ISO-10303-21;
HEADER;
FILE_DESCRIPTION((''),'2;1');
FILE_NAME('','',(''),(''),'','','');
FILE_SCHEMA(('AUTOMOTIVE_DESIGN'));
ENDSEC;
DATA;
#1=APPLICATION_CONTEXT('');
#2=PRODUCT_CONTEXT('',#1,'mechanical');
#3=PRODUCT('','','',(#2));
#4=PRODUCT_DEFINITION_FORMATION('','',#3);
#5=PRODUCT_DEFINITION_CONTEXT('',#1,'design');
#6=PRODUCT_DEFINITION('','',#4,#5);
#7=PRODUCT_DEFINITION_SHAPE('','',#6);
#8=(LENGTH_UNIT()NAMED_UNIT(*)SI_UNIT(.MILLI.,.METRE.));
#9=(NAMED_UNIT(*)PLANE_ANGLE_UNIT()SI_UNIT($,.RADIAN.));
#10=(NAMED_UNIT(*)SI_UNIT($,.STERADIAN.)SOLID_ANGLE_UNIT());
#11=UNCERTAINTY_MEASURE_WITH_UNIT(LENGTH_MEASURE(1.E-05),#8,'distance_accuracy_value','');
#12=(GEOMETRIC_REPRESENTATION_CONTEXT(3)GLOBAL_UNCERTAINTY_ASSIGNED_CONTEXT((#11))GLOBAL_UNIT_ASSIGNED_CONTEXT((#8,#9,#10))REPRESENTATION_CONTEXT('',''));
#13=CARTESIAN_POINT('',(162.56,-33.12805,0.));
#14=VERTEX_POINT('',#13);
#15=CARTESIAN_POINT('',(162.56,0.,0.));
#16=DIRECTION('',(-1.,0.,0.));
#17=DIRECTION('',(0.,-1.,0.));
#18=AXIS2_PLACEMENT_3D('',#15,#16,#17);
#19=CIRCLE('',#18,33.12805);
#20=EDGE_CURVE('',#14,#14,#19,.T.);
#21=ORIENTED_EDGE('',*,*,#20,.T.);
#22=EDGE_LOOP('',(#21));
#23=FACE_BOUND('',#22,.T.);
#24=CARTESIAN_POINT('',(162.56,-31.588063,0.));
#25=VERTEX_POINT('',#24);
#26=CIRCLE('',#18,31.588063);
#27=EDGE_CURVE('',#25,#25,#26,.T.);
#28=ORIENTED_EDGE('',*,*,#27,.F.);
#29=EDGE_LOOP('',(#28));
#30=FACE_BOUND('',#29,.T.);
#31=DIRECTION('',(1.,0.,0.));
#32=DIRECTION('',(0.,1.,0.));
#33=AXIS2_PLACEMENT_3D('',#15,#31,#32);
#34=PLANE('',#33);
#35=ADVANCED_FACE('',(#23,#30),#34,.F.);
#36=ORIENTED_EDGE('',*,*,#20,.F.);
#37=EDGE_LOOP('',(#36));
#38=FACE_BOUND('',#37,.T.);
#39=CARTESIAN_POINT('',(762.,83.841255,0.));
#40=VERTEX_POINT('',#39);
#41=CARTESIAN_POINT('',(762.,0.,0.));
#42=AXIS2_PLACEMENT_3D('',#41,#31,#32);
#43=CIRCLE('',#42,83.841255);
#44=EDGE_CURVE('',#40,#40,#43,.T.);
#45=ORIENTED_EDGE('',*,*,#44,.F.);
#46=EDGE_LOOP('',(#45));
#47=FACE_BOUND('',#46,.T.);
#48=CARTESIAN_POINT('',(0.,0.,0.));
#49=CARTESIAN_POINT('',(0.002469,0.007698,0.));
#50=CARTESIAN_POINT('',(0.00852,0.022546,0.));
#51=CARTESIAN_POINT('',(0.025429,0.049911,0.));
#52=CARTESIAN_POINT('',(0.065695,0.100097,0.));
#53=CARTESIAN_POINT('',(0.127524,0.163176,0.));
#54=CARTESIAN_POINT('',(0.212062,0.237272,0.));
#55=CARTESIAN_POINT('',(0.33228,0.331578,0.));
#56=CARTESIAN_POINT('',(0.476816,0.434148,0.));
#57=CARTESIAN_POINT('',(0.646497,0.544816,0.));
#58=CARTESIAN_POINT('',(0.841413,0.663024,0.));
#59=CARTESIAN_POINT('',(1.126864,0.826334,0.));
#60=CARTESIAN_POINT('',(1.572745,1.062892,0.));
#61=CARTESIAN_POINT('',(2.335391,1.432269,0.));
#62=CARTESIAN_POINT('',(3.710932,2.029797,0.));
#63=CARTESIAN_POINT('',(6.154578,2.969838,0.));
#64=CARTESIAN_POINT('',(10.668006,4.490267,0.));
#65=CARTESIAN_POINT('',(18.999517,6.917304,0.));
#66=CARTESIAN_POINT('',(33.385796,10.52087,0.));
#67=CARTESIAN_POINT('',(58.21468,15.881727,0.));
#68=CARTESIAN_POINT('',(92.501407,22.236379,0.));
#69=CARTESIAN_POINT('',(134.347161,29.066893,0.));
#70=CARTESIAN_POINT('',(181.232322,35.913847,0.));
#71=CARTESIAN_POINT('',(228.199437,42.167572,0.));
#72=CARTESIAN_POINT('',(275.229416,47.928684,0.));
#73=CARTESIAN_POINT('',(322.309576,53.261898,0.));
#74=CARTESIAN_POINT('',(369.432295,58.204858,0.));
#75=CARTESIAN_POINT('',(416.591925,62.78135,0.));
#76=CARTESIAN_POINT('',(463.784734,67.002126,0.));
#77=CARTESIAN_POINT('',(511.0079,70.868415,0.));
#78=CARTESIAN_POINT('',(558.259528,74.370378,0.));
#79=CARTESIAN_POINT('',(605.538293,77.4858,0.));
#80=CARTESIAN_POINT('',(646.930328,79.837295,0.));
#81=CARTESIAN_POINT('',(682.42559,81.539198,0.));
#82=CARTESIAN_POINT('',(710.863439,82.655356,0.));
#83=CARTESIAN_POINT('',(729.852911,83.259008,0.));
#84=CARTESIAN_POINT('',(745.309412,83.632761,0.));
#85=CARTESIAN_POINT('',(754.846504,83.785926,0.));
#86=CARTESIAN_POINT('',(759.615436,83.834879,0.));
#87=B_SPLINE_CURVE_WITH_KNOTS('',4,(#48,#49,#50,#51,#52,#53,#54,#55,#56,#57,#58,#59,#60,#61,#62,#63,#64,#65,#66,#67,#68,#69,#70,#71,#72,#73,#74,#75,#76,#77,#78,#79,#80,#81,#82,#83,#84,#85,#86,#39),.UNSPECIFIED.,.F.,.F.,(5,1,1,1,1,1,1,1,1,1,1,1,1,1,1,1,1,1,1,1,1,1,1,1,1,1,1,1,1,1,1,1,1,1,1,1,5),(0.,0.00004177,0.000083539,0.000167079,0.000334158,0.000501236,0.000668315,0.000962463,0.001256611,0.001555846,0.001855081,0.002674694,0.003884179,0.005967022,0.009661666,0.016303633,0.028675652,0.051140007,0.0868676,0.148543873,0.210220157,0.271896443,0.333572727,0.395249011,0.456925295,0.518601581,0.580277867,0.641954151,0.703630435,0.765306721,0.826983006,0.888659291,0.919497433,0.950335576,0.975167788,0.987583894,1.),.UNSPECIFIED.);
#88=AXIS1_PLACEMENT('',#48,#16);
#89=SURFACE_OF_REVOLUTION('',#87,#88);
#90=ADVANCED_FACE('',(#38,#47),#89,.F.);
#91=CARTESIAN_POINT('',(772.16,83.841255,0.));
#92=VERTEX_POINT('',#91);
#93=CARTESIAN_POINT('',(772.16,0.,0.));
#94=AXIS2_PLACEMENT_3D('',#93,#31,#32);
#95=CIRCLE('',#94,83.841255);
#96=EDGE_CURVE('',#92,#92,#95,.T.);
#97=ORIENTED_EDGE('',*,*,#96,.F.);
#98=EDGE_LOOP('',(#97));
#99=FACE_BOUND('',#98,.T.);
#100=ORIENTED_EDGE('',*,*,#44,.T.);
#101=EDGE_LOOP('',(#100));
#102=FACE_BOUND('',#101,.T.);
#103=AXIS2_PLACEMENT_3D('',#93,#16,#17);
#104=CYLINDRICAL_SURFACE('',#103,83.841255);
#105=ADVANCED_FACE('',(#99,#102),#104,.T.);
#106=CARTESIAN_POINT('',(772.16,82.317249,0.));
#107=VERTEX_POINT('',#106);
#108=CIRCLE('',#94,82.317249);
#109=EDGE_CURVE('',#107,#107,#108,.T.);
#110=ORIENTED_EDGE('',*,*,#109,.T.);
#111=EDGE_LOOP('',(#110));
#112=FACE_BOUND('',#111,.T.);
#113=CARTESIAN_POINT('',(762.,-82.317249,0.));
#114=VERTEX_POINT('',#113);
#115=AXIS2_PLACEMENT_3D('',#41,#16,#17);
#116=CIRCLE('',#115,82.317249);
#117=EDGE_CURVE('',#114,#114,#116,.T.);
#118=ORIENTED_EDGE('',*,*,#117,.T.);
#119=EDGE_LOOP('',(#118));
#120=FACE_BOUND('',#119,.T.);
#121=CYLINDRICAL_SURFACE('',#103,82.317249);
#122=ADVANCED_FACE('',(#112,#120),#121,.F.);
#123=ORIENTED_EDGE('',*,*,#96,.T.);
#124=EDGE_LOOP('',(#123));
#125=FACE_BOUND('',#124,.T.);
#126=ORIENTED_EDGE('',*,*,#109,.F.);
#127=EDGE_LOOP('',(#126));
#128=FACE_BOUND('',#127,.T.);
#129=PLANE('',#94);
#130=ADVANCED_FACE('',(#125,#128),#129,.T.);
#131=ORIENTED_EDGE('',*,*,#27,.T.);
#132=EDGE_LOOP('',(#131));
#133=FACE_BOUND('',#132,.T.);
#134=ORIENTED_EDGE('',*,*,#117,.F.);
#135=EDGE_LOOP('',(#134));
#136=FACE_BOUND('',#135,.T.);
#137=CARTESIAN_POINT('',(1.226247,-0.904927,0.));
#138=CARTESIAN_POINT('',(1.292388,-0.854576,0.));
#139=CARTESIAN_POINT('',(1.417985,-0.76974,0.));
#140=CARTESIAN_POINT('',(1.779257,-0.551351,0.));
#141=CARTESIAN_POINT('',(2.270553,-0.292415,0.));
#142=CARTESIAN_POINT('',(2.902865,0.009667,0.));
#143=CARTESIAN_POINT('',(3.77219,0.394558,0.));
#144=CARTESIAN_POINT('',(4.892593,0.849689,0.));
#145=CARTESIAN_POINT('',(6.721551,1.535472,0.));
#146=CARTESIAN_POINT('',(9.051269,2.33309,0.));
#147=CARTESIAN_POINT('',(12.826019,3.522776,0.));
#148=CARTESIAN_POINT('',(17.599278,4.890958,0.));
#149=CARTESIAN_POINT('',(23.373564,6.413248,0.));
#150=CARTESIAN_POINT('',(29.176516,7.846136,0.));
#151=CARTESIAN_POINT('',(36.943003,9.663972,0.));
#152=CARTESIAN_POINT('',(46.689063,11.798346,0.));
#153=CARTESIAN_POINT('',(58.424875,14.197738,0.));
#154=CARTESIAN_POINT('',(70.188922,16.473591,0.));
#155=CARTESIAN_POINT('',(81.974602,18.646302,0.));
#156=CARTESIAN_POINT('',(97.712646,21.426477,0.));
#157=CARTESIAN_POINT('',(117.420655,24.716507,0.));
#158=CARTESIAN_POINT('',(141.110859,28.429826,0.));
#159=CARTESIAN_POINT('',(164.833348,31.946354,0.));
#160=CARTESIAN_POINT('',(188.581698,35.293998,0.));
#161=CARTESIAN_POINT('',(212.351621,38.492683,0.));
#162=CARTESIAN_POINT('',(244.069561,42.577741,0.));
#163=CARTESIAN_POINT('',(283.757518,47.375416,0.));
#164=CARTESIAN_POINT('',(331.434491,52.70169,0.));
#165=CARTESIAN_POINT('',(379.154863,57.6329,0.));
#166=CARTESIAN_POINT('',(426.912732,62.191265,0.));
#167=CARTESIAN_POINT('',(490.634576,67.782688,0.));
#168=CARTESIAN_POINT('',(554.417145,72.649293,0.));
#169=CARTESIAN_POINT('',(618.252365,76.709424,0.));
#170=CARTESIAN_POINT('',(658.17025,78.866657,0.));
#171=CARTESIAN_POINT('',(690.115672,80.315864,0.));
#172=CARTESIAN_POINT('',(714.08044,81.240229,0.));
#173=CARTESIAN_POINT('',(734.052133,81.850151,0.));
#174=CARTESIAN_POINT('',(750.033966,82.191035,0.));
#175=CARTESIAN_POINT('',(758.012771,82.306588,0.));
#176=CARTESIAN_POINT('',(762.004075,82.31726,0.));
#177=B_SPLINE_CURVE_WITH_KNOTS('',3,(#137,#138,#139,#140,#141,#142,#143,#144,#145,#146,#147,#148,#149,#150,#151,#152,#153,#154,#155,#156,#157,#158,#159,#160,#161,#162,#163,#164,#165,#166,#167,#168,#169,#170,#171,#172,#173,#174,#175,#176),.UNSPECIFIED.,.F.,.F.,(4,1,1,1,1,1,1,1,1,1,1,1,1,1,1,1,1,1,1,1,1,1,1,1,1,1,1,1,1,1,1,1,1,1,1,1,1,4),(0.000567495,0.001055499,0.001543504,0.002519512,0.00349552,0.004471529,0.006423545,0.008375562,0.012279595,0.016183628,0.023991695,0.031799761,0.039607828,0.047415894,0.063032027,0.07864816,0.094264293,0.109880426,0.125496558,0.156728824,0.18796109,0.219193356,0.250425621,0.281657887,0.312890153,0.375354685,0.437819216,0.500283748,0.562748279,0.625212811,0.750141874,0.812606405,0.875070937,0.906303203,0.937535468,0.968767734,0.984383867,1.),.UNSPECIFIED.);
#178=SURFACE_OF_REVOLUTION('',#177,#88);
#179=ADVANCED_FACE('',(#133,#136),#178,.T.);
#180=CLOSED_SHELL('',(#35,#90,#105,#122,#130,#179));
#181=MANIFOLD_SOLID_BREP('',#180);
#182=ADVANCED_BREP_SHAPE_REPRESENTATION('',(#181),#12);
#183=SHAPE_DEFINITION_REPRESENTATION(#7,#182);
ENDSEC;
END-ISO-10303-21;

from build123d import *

# Parameters (mm, degrees)
SKETCH8_R           = 83.841254666
SKETCH8_R_2         = 82.317249201
BOSS_EXTRUDE1_DEPTH = 10.16
SKETCH9_R           = 78.358924529
CUT_EXTRUDE1_DEPTH  = 187.96


with BuildPart() as part:
    # Sketch7 → Revolve3 (revolve)
    with BuildSketch(Plane.XY):
        with BuildLine():
            add(Edge.make_bspline(
                [(2.890004562, 0), (2.895382745, 0.002478586), (3.114731574, 0.103470328), (3.772189671, 0.394557939), (4.892593468, 0.849688542), (6.72155052, 1.53547194), (9.051268741, 2.333090251), (12.826018708, 3.522776414), (17.599278058, 4.890957749), (23.373563661, 6.413247874), (29.176516141, 7.846136382), (36.94300293, 9.663971784), (46.689062936, 11.798346486), (58.424874502, 14.197738172), (70.188922239, 16.473591194), (81.974602451, 18.6463018), (97.71264621, 21.42647714), (117.420654598, 24.716507147), (141.110859364, 28.429826036), (164.833348495, 31.946353837), (188.581698126, 35.293998221), (212.351621104, 38.492682711), (244.069560818, 42.577741353), (283.757517922, 47.375416088), (331.434490554, 52.701690304), (379.154862581, 57.632899759), (426.912731664, 62.191265335), (490.634576058, 67.782687664), (554.417145386, 72.64929345), (618.252364776, 76.709424177), (658.17025028, 78.866656722), (690.115671587, 80.31586406), (714.080440133, 81.240229409), (734.052133379, 81.850150654), (750.032605884, 82.191005794), (758.010055581, 82.306548561), (762, 82.317249201)],
                knots=[0.003470978, 0.003470978, 0.003470978, 0.003470978, 0.00349552, 0.004471529, 0.006423545, 0.008375562, 0.012279595, 0.016183628, 0.023991695, 0.031799761, 0.039607828, 0.047415894, 0.063032027, 0.07864816, 0.094264293, 0.109880426, 0.125496558, 0.156728824, 0.18796109, 0.219193356, 0.250425621, 0.281657887, 0.312890153, 0.375354685, 0.437819216, 0.500283748, 0.562748279, 0.625212811, 0.750141874, 0.812606405, 0.875070937, 0.906303203, 0.937535468, 0.968767734, 0.984383867, 0.999994686, 0.999994686, 0.999994686, 0.999994686], degree=3))
            Line((762, 82.317249201), (762, 83.841254666))
            add(Edge.make_bspline(
                [(0, 0), (0.002469036, 0.007698152), (0.00852038, 0.022545642), (0.025428785, 0.049911406), (0.065694849, 0.100096678), (0.127523873, 0.163176144), (0.212062429, 0.237272493), (0.332279694, 0.331578396), (0.47681638, 0.434147846), (0.646496772, 0.544815952), (0.841412681, 0.663024364), (1.126864222, 0.82633392), (1.572744504, 1.062892156), (2.33539055, 1.432268664), (3.710931738, 2.02979685), (6.154578127, 2.969838304), (10.668005752, 4.490267325), (18.999517068, 6.917303838), (33.385795617, 10.520869917), (58.214680344, 15.881727226), (92.501407111, 22.236378549), (134.347160824, 29.066892837), (181.232321928, 35.913847395), (228.199436648, 42.167572329), (275.229416109, 47.928683924), (322.309575865, 53.261898342), (369.432294544, 58.204857708), (416.591925172, 62.781349507), (463.784734462, 67.002125548), (511.007900045, 70.868414522), (558.259527802, 74.370378395), (605.538293137, 77.485800464), (646.930327879, 79.837294836), (682.425589554, 81.539197971), (710.863439026, 82.65535626), (729.852911101, 83.259007577), (745.309411706, 83.632760833), (754.846503834, 83.785926018), (759.61543609, 83.834878653), (762, 83.841254666)],
                knots=[0, 0, 0, 0, 0, 4.177e-05, 8.3539e-05, 0.000167079, 0.000334158, 0.000501236, 0.000668315, 0.000962463, 0.001256611, 0.001555846, 0.001855081, 0.002674694, 0.003884179, 0.005967022, 0.009661666, 0.016303633, 0.028675652, 0.051140007, 0.0868676, 0.148543873, 0.210220157, 0.271896443, 0.333572727, 0.395249011, 0.456925295, 0.518601581, 0.580277867, 0.641954151, 0.703630435, 0.765306721, 0.826983006, 0.888659291, 0.919497433, 0.950335576, 0.975167788, 0.987583894, 1, 1, 1, 1, 1], degree=4))
            Line((0, 0), (2.890004562, 0))
        make_face()
    revolve(axis=Axis((0, 0, 0), (1, 0, 0)))

    # Sketch8 → Boss-Extrude1 (add)
    with BuildSketch(Plane(origin=(762, 0, 0), x_dir=(0, 0, -1), z_dir=(1, 0, 0))):
        with Locations(Location((0, 0, 0), (0, 0, 90))):
            Circle(SKETCH8_R)
        with Locations(Location((0, 0, 0), (0, 0, 270))):
            Circle(SKETCH8_R_2, mode=Mode.SUBTRACT)
    extrude(amount=BOSS_EXTRUDE1_DEPTH)

    # Sketch9 → Cut-Extrude1 (cut)
    with BuildSketch(Plane(origin=(162.56, 0, 0), x_dir=(0, 0, -1), z_dir=(1, 0, 0))):
        Circle(SKETCH9_R)
    extrude(amount=-CUT_EXTRUDE1_DEPTH, mode=Mode.SUBTRACT)


solid = part.part
